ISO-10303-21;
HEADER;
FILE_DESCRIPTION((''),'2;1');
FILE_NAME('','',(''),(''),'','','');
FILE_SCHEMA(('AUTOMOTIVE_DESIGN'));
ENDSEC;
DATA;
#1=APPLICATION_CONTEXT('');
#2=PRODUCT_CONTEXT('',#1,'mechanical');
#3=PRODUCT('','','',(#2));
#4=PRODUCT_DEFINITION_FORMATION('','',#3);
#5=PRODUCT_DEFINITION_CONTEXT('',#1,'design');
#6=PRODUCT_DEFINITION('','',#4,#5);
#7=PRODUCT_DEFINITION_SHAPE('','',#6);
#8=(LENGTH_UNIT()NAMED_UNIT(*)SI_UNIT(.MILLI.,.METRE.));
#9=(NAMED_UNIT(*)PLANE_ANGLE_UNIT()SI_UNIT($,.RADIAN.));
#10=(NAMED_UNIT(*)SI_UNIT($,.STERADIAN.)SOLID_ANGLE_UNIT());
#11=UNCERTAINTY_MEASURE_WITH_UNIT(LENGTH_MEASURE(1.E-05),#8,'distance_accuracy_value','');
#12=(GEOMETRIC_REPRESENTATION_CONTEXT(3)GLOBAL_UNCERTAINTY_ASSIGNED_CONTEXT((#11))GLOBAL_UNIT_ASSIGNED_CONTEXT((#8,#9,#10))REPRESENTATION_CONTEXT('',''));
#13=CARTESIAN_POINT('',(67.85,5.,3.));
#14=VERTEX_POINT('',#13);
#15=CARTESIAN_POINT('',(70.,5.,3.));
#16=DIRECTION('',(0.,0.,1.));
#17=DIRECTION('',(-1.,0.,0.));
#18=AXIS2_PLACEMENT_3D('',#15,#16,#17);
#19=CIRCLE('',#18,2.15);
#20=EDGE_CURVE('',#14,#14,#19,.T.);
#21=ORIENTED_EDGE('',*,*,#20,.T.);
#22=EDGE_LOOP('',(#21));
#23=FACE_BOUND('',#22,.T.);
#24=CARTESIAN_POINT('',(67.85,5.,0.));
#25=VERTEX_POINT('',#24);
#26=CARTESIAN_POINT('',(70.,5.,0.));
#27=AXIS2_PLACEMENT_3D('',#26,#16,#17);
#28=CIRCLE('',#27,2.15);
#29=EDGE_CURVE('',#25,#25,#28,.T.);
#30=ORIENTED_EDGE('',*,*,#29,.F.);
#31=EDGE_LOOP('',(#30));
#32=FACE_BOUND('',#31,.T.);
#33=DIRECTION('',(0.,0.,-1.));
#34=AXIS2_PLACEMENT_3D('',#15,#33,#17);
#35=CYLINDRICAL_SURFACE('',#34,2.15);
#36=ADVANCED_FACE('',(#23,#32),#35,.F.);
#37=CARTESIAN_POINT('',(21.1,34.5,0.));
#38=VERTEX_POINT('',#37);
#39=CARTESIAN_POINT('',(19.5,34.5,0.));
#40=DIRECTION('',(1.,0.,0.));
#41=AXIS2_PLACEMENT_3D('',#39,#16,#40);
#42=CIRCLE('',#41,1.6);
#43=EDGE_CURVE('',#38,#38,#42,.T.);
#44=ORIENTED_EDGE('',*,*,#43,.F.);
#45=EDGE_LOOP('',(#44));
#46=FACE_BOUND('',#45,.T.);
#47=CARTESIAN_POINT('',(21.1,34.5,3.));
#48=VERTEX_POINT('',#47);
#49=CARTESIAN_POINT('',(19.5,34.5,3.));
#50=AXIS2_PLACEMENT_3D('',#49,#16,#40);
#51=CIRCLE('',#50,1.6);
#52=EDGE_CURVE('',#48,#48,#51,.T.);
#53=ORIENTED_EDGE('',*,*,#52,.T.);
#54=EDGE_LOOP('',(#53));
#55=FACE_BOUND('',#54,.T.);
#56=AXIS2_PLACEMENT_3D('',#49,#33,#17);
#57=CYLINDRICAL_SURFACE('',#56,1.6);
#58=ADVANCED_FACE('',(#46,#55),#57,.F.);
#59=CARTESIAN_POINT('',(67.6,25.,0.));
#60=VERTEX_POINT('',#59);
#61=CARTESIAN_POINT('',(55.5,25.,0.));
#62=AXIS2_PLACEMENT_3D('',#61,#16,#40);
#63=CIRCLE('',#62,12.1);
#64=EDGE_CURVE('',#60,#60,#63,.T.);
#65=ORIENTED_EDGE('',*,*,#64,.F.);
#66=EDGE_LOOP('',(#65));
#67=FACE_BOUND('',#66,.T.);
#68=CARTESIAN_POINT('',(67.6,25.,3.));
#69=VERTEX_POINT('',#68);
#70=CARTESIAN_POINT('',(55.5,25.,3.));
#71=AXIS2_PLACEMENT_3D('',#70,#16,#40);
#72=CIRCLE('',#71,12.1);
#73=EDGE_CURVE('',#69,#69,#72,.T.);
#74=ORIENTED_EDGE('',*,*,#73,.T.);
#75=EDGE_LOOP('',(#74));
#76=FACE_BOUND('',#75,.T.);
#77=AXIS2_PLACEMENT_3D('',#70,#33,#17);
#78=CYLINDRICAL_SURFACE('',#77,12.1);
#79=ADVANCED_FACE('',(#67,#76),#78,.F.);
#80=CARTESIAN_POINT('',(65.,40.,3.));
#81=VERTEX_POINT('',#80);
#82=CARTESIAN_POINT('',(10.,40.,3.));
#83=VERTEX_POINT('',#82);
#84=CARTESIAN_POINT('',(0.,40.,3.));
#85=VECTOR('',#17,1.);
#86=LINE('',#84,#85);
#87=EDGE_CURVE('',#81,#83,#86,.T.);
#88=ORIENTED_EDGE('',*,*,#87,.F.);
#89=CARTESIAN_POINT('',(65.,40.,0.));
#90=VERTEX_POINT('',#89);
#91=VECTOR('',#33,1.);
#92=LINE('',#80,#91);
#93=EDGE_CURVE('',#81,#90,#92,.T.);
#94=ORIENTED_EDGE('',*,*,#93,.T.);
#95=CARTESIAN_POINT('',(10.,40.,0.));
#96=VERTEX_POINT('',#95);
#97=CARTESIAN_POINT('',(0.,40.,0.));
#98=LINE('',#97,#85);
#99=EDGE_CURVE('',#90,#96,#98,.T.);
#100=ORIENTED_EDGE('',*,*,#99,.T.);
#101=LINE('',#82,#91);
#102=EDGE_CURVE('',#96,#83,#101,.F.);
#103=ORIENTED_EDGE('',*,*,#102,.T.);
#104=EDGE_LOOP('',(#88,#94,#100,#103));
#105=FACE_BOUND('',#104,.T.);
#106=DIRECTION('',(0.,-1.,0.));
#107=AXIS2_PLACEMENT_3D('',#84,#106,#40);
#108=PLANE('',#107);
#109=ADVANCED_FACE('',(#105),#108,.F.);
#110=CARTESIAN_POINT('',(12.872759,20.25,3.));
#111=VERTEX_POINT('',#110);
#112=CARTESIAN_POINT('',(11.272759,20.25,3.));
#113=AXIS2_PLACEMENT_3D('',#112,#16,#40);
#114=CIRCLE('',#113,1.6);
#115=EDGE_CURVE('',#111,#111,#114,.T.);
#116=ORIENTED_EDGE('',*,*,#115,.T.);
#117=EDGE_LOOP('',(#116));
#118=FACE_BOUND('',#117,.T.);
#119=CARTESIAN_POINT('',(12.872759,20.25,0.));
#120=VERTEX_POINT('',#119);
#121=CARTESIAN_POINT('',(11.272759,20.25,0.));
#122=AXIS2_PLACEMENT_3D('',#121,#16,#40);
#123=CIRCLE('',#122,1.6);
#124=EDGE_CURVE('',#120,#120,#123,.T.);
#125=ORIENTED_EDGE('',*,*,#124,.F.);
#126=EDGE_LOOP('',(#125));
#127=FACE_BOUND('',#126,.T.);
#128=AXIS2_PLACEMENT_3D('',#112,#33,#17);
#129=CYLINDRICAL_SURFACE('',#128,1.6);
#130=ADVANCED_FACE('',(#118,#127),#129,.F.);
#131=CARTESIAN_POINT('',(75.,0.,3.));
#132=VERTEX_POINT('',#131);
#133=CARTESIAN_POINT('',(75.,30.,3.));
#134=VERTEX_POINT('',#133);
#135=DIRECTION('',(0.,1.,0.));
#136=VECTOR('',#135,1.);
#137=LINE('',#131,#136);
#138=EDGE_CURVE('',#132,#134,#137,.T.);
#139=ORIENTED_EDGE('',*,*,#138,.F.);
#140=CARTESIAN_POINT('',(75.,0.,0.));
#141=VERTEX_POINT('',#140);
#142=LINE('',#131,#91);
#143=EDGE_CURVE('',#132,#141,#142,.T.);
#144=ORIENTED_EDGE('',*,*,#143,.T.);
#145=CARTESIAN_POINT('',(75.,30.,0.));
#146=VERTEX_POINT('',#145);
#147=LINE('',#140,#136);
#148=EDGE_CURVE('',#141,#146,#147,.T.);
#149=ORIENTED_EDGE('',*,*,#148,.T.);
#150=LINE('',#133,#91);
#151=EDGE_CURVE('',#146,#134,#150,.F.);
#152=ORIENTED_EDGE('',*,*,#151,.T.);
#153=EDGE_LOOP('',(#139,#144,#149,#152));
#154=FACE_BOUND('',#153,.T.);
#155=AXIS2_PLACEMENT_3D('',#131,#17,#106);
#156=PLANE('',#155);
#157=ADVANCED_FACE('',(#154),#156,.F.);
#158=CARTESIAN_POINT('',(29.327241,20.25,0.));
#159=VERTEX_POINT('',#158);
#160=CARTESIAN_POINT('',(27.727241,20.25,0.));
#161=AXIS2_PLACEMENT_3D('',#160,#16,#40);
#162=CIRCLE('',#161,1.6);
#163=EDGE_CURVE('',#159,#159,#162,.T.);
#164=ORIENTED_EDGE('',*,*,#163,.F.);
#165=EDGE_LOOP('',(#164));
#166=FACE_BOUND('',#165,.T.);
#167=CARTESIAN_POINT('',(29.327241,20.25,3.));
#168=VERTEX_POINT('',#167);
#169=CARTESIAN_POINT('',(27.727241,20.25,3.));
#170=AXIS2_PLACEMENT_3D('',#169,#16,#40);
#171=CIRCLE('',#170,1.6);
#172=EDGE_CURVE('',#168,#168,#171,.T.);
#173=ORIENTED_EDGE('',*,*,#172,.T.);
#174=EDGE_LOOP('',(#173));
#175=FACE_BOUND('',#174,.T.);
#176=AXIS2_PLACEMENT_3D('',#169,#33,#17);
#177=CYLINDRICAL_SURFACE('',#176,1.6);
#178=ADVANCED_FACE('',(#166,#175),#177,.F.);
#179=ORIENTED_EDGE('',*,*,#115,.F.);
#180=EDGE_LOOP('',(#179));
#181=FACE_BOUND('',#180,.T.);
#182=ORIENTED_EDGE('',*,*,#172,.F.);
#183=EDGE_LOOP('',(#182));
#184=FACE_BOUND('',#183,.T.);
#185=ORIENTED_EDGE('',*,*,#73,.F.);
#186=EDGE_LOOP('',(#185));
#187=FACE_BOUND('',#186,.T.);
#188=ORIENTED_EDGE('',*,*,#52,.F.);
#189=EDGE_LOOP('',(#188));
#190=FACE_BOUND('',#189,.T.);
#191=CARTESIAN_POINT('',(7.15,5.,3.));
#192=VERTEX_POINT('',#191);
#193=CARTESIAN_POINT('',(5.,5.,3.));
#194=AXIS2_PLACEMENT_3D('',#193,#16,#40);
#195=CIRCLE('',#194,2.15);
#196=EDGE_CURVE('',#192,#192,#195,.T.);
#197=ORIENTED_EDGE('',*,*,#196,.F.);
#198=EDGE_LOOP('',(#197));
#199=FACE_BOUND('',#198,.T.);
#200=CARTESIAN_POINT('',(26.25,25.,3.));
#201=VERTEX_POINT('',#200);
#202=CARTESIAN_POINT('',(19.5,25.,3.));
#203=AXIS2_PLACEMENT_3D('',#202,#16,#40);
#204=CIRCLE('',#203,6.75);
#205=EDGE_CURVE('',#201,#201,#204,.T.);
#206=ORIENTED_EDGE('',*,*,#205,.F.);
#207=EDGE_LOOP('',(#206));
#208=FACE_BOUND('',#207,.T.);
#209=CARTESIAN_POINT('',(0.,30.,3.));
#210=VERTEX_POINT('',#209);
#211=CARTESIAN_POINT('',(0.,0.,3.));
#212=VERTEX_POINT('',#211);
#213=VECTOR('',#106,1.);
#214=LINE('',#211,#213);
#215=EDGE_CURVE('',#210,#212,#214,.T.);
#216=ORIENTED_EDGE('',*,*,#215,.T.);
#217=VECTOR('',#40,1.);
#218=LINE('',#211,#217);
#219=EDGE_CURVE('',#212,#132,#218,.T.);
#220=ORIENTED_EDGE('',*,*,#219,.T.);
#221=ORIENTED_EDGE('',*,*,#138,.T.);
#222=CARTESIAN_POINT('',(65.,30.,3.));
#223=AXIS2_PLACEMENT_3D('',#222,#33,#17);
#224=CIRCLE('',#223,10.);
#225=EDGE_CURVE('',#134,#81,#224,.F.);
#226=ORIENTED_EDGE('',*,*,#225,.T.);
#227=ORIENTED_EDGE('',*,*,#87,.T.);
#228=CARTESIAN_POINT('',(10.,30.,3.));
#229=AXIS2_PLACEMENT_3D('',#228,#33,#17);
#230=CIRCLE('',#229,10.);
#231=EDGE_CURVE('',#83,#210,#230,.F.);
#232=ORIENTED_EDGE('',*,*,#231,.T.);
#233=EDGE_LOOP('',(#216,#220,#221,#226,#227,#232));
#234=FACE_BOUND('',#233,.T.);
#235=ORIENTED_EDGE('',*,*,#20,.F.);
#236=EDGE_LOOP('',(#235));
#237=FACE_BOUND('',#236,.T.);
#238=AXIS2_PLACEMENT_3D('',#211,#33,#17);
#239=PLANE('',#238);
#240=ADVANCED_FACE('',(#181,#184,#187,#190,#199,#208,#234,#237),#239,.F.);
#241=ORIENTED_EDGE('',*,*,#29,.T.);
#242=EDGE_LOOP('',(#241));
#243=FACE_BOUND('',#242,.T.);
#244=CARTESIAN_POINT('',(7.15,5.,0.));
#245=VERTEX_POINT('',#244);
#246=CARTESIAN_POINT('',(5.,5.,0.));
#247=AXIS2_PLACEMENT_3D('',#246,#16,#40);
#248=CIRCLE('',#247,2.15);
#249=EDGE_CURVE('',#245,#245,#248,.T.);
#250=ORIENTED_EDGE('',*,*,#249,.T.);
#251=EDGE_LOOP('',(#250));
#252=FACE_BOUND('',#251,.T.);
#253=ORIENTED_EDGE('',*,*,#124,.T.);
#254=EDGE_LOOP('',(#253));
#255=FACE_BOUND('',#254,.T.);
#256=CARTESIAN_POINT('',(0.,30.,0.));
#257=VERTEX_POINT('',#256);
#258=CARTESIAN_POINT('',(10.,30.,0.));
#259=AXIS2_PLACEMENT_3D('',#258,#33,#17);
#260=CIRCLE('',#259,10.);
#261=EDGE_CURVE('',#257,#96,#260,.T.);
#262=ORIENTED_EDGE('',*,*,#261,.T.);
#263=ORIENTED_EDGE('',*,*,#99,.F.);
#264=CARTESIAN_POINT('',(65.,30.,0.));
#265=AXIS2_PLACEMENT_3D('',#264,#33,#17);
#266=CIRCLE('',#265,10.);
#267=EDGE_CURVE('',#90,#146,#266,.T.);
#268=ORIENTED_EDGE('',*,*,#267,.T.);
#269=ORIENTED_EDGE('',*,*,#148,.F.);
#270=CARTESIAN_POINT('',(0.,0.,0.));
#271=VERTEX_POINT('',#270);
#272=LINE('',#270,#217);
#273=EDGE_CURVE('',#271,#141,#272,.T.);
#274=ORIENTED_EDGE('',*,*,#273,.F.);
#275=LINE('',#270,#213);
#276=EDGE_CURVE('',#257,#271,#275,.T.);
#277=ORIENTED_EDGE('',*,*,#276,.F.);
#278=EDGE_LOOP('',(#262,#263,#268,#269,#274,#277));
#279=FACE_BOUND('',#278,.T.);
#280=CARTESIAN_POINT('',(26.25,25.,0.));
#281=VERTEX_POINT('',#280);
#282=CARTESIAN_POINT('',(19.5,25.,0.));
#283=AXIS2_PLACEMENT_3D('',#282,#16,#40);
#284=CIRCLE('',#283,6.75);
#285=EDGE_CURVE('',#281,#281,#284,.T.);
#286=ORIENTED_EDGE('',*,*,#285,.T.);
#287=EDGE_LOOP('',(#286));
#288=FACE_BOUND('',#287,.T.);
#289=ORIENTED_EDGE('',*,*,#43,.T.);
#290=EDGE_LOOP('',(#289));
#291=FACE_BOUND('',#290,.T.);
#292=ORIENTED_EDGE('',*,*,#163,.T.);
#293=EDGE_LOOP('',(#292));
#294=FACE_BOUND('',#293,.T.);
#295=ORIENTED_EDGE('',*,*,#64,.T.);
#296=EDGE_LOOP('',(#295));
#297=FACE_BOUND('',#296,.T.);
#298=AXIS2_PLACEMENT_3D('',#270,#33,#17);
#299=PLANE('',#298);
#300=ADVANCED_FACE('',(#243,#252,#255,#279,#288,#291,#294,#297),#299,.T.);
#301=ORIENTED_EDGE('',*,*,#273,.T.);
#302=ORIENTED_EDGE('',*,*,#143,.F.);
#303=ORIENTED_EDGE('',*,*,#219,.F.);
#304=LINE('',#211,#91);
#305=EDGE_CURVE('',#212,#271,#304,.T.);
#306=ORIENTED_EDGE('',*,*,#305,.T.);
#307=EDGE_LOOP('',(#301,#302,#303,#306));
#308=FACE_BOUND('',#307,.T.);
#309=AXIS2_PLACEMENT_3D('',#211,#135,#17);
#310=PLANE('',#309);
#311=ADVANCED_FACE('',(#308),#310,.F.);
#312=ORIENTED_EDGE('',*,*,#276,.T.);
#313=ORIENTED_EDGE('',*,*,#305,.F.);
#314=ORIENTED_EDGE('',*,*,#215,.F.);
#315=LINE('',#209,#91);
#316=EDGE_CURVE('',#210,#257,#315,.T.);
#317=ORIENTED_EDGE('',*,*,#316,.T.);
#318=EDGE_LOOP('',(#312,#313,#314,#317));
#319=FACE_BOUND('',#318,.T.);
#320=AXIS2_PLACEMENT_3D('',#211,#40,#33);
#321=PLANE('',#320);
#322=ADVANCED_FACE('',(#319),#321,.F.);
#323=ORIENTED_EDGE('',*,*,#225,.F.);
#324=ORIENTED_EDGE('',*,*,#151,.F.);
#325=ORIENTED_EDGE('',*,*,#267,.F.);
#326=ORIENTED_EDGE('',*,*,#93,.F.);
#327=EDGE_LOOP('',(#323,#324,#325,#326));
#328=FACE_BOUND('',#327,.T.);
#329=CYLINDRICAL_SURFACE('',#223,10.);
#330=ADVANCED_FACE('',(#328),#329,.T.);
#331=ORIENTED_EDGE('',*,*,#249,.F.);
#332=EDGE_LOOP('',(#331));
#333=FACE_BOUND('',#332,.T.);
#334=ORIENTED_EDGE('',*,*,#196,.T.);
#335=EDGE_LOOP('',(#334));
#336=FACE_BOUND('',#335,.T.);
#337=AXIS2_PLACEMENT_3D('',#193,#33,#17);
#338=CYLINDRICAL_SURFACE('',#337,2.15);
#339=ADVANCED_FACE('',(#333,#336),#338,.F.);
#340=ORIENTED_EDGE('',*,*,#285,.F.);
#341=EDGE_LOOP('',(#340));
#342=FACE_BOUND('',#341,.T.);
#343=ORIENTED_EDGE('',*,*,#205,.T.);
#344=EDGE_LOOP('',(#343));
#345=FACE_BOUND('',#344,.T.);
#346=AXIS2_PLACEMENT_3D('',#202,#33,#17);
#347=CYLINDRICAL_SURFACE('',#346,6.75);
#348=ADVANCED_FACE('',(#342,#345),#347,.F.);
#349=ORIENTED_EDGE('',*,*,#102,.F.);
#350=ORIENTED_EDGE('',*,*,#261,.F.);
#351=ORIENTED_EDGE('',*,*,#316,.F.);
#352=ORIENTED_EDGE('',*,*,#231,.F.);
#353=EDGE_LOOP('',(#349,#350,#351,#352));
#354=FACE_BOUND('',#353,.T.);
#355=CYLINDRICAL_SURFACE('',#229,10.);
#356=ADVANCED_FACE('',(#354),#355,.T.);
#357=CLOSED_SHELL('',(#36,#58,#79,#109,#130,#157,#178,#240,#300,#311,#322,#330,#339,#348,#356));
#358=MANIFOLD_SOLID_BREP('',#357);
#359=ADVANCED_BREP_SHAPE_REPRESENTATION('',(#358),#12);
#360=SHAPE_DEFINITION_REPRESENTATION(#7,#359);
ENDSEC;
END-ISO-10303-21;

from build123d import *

# Parameters (mm, degrees)
SKETCH_1_W      = 75
SKETCH_1_H      = 40
SKETCH_1_R      = 6.75
SKETCH_1_R_2    = 1.6
SKETCH_1_R_3    = 12.1
SKETCH_1_R_4    = 2.15
EXTRUDE_1_DEPTH = 3
FILLET_1_R      = 10


with BuildPart() as part:
    # ｽｹｯﾁ1 → ﾎﾞｽ - 押し出し1 (new body)
    with BuildSketch(Plane.XY):
        with Locations((37.5, 20)):
            Rectangle(SKETCH_1_W, SKETCH_1_H)
        with Locations((19.5, 25)):
            Circle(SKETCH_1_R, mode=Mode.SUBTRACT)
        with Locations((19.5, 34.5)):
            Circle(SKETCH_1_R_2, mode=Mode.SUBTRACT)
        with Locations((27.727241336, 20.25)):
            Circle(SKETCH_1_R_2, mode=Mode.SUBTRACT)
        with Locations((11.272758664, 20.25)):
            Circle(SKETCH_1_R_2, mode=Mode.SUBTRACT)
        with Locations((55.5, 25)):
            Circle(SKETCH_1_R_3, mode=Mode.SUBTRACT)
        with Locations((5, 5)):
            Circle(SKETCH_1_R_4, mode=Mode.SUBTRACT)
        with Locations(Location((70, 5, 0), (0, 0, 180))):
            Circle(SKETCH_1_R_4, mode=Mode.SUBTRACT)
    extrude(amount=EXTRUDE_1_DEPTH)

    # ﾌｨﾚｯﾄ1
    fillet_1_edges = [part.edges().sort_by_distance(p)[0] for p in [
        (0, 40, 1.5),
        (75, 40, 1.5),
    ]]
    fillet(fillet_1_edges, radius=FILLET_1_R)


solid = part.part
